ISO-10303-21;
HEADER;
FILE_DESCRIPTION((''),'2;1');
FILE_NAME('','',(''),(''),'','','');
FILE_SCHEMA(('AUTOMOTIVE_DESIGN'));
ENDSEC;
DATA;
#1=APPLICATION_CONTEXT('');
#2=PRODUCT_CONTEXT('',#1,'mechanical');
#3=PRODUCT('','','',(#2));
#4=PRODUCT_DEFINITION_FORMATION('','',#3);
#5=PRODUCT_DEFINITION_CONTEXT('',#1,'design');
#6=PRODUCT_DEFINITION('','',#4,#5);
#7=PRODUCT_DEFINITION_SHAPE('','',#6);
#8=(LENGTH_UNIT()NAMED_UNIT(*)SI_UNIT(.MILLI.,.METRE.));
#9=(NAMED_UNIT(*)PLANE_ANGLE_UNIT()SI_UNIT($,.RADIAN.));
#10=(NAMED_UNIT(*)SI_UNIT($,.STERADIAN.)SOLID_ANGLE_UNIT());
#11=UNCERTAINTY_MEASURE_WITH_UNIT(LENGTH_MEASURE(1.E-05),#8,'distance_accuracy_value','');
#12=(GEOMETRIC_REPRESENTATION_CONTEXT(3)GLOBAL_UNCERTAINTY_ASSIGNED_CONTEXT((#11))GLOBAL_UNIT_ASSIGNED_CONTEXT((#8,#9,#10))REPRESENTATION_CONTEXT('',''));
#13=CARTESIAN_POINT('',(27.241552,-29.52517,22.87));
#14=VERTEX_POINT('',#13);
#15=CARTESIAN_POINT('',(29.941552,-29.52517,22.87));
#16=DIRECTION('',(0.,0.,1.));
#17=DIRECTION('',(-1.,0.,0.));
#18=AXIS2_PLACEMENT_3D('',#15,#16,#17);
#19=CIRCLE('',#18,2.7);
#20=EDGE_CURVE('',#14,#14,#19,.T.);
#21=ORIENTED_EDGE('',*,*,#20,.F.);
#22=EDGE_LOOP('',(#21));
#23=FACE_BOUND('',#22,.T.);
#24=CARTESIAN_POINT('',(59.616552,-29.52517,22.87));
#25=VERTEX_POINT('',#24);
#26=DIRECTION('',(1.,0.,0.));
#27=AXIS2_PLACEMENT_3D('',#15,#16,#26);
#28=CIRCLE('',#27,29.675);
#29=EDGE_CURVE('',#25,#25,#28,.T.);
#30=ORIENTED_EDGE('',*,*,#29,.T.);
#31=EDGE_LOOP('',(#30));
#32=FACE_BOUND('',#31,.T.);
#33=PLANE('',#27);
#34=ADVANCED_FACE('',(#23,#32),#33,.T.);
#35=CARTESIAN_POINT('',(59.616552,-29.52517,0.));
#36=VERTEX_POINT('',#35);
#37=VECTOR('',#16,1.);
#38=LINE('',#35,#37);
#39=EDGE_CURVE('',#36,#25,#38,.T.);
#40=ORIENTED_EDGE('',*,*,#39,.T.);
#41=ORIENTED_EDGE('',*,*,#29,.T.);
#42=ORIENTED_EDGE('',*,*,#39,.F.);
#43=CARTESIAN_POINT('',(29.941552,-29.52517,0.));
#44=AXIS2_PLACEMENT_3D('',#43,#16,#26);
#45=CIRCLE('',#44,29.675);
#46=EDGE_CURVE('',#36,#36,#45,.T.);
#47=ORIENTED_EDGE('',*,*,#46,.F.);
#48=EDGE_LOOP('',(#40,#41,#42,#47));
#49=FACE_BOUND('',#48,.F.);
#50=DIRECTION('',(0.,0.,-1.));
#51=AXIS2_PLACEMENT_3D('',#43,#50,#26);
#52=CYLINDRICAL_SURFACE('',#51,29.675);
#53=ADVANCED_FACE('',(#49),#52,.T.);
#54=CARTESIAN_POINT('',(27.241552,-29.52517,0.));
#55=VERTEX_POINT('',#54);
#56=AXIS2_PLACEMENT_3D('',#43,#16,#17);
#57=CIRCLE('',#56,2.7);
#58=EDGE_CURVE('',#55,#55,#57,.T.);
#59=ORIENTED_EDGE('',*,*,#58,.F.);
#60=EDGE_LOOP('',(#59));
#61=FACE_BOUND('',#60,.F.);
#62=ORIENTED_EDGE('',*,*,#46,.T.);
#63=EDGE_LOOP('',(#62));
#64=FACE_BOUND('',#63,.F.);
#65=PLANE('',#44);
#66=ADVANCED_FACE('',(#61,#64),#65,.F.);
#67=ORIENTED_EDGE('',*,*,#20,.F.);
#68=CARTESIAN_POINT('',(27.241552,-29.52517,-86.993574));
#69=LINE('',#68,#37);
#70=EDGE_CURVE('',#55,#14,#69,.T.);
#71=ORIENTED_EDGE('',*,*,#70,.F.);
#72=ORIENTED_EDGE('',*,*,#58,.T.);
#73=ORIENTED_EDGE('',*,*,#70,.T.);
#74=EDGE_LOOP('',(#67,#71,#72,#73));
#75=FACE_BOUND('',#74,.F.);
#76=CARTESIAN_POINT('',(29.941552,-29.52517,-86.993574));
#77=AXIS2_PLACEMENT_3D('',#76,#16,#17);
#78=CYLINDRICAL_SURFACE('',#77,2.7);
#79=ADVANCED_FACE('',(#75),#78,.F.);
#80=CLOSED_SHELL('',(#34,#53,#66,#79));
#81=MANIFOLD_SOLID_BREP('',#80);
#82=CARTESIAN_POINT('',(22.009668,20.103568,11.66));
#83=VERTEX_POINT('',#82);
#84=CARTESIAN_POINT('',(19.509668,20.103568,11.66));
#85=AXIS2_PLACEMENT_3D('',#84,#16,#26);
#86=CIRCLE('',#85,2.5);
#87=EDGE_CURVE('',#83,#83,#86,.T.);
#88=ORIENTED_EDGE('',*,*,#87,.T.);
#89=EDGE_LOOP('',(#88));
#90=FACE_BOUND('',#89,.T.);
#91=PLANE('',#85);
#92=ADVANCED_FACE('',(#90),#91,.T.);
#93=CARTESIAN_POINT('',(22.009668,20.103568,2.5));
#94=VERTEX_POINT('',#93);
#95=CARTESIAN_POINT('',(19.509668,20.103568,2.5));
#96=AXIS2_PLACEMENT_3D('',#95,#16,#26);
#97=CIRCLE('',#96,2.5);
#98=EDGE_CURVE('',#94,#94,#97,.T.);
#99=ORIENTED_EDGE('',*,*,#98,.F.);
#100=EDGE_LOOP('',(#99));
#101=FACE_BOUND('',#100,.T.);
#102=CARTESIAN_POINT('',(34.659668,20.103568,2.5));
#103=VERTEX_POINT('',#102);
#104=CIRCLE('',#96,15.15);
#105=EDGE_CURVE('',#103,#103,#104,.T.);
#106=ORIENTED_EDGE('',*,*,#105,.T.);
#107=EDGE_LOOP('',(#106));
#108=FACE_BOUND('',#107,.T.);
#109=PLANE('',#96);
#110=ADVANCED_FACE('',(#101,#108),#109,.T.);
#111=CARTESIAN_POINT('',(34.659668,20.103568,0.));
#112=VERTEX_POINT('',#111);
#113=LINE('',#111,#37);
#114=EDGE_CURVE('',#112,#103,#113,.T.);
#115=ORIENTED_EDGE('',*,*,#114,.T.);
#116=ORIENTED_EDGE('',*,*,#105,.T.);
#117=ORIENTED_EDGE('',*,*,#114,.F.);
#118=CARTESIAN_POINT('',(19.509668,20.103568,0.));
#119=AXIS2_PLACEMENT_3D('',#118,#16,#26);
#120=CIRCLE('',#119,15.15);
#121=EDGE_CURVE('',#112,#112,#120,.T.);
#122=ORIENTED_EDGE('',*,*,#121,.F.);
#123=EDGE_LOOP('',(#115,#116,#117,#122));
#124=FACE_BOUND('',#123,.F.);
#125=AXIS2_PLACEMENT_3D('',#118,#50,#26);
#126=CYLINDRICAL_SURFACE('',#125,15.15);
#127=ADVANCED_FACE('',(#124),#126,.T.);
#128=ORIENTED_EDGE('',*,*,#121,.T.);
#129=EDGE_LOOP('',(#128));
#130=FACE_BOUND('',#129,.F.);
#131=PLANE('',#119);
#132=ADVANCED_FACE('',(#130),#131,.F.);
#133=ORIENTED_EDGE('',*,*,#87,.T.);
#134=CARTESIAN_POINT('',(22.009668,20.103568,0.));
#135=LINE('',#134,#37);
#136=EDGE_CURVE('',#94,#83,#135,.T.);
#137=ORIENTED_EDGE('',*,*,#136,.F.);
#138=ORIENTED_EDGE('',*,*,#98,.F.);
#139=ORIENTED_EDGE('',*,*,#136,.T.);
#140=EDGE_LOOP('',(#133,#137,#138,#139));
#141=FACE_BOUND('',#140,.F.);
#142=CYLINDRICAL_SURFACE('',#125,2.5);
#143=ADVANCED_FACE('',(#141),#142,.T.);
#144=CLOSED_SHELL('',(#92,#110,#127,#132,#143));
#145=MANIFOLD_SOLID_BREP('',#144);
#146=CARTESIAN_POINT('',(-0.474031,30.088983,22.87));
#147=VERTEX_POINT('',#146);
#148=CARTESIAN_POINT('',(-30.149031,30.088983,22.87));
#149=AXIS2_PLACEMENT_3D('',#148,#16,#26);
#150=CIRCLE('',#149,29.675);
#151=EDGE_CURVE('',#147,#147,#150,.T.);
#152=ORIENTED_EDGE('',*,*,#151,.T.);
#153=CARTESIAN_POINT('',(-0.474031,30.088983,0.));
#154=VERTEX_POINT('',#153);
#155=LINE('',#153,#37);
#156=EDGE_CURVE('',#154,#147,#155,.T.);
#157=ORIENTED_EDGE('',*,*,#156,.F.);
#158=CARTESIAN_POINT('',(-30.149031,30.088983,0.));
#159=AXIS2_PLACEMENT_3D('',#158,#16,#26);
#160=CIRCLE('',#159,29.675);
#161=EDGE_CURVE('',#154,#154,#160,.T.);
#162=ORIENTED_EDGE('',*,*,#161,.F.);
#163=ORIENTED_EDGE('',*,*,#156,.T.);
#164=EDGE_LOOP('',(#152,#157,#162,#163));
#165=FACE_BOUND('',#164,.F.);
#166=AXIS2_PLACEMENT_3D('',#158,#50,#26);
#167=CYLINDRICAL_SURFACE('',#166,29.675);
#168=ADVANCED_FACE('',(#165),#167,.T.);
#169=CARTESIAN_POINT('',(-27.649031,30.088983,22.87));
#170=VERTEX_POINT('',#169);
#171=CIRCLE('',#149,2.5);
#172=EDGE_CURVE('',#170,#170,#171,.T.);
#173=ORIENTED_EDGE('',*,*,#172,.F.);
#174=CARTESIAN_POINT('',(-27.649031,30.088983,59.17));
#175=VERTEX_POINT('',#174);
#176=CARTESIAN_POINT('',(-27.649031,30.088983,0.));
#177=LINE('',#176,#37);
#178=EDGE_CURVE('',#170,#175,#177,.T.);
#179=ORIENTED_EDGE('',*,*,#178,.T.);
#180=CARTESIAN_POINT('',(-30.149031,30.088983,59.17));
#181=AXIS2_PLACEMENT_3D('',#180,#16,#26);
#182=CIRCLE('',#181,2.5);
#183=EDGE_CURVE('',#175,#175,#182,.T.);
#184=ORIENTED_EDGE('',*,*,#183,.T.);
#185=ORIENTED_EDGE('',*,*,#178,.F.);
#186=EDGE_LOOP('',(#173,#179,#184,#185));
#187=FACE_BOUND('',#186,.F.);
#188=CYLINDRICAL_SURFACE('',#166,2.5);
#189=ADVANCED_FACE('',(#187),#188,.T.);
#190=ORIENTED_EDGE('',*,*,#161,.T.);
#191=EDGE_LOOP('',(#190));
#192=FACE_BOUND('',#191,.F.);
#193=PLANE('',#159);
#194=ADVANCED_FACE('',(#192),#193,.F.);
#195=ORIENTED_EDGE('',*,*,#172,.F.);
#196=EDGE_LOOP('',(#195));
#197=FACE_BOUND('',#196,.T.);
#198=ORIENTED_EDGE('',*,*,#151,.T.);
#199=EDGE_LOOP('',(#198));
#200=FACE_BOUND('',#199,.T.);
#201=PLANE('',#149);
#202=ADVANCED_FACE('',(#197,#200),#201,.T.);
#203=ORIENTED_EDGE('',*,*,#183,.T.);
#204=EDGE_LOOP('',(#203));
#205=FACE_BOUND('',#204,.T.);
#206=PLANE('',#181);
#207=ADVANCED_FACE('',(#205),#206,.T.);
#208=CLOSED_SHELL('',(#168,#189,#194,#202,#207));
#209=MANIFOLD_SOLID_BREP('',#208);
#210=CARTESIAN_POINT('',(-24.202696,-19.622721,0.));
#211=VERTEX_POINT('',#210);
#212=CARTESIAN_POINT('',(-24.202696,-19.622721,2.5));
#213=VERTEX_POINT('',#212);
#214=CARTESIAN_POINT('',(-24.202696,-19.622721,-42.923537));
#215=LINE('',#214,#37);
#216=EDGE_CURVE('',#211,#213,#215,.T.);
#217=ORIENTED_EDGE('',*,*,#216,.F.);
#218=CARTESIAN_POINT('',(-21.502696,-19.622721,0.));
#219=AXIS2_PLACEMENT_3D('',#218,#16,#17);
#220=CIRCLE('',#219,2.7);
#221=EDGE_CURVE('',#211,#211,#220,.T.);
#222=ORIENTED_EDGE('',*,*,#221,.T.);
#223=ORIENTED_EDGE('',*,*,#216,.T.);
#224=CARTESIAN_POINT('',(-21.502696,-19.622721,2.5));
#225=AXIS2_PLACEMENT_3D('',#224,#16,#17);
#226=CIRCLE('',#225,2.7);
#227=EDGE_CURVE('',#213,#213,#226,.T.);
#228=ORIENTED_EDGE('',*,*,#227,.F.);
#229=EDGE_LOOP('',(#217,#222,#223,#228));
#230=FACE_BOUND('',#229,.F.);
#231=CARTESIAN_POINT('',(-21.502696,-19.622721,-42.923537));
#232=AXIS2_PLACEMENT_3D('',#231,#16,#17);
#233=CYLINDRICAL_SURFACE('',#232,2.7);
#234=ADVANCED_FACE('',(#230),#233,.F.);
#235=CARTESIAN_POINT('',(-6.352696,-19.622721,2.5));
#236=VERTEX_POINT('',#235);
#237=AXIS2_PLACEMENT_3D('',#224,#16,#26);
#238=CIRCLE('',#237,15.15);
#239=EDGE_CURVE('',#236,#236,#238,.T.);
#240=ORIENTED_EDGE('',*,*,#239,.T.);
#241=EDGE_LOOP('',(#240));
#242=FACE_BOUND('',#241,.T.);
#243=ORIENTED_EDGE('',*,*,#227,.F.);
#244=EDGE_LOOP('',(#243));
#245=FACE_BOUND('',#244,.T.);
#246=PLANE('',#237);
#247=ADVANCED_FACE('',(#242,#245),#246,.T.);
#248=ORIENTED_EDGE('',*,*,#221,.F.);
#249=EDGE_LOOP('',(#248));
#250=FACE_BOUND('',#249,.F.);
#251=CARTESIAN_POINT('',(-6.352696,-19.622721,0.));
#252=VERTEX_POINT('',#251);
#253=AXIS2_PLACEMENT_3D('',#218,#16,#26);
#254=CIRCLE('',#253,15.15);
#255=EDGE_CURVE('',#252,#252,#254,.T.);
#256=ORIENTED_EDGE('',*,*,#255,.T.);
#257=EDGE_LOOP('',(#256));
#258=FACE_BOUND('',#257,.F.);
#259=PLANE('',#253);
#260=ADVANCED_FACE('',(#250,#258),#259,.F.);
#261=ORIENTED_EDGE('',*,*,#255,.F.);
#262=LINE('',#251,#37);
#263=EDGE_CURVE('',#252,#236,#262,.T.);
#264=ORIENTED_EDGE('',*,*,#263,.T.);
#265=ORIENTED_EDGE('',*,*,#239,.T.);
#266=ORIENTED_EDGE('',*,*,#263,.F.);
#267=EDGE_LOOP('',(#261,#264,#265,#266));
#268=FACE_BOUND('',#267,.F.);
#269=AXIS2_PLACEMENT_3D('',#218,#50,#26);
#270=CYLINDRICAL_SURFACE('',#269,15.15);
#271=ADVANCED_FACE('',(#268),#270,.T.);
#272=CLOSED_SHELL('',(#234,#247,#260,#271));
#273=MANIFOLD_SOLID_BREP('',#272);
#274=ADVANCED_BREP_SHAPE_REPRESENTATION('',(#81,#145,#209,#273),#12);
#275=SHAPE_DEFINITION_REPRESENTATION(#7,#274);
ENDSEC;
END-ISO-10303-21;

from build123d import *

# Parameters (mm, degrees)
F0_R     = 2.5
F1_DEPTH = 59.17
F0_R_2   = 29.675
F2_DEPTH = 22.87
F3_DEPTH = 11.66
F0_R_3   = 15.15
F4_DEPTH = 2.5
F5_DEPTH = 2.5
F6_DEPTH = 22.87
F7_D     = 5.4
F8_D     = 5.4


with BuildPart() as f1:
    # F0 (on Top) → F1 (new body)
    with BuildSketch(Plane.XY):
        with Locations((-30.1490310857, 30.088982854)):
            Circle(F0_R)
    extrude(amount=F1_DEPTH)

    # F0 (on Top) → F2 (join)
    with BuildSketch(Plane.XY):
        with Locations((-30.1490310857, 30.088982854)):
            Circle(F0_R_2)
        with Locations((-30.1490310857, 30.088982854)):
            Circle(F0_R, mode=Mode.SUBTRACT)
    extrude(amount=F2_DEPTH)


with BuildPart() as f3:
    # F0 (on Top) → F3 (new body)
    with BuildSketch(Plane.XY):
        with Locations((19.5096683294, 20.1035678638)):
            Circle(F0_R)
    extrude(amount=F3_DEPTH)

    # F0 (on Top) → F4 (join)
    with BuildSketch(Plane.XY):
        with Locations((19.5096683294, 20.1035678638)):
            Circle(F0_R_3)
        with Locations((19.5096683294, 20.1035678638)):
            Circle(F0_R, mode=Mode.SUBTRACT)
    extrude(amount=F4_DEPTH)


with BuildPart() as f5:
    # F0 (on Top) → F5 (new body)
    with BuildSketch(Plane.XY):
        with Locations((-21.5026963749, -19.6227214328)):
            Circle(F0_R_3)
    extrude(amount=F5_DEPTH)

    # F7 (through all)
    with Locations(Plane(origin=(0, 0, 0), x_dir=(1, 0, 0), z_dir=(0, 0, -1))):
        with Locations((-21.5026963749, 19.6227214328)):
            Hole(F7_D / 2)


with BuildPart() as f6:
    # F0 (on Top) → F6 (new body)
    with BuildSketch(Plane.XY):
        with Locations((29.9415523733, -29.5251703596)):
            Circle(F0_R_2)
    extrude(amount=F6_DEPTH)

    # F8 (through all)
    with Locations(Plane(origin=(0, 0, 0), x_dir=(1, 0, 0), z_dir=(0, 0, -1))):
        with Locations((29.9415523733, 29.5251703596)):
            Hole(F8_D / 2)


solid = Compound([f1.part, f3.part, f5.part, f6.part])
